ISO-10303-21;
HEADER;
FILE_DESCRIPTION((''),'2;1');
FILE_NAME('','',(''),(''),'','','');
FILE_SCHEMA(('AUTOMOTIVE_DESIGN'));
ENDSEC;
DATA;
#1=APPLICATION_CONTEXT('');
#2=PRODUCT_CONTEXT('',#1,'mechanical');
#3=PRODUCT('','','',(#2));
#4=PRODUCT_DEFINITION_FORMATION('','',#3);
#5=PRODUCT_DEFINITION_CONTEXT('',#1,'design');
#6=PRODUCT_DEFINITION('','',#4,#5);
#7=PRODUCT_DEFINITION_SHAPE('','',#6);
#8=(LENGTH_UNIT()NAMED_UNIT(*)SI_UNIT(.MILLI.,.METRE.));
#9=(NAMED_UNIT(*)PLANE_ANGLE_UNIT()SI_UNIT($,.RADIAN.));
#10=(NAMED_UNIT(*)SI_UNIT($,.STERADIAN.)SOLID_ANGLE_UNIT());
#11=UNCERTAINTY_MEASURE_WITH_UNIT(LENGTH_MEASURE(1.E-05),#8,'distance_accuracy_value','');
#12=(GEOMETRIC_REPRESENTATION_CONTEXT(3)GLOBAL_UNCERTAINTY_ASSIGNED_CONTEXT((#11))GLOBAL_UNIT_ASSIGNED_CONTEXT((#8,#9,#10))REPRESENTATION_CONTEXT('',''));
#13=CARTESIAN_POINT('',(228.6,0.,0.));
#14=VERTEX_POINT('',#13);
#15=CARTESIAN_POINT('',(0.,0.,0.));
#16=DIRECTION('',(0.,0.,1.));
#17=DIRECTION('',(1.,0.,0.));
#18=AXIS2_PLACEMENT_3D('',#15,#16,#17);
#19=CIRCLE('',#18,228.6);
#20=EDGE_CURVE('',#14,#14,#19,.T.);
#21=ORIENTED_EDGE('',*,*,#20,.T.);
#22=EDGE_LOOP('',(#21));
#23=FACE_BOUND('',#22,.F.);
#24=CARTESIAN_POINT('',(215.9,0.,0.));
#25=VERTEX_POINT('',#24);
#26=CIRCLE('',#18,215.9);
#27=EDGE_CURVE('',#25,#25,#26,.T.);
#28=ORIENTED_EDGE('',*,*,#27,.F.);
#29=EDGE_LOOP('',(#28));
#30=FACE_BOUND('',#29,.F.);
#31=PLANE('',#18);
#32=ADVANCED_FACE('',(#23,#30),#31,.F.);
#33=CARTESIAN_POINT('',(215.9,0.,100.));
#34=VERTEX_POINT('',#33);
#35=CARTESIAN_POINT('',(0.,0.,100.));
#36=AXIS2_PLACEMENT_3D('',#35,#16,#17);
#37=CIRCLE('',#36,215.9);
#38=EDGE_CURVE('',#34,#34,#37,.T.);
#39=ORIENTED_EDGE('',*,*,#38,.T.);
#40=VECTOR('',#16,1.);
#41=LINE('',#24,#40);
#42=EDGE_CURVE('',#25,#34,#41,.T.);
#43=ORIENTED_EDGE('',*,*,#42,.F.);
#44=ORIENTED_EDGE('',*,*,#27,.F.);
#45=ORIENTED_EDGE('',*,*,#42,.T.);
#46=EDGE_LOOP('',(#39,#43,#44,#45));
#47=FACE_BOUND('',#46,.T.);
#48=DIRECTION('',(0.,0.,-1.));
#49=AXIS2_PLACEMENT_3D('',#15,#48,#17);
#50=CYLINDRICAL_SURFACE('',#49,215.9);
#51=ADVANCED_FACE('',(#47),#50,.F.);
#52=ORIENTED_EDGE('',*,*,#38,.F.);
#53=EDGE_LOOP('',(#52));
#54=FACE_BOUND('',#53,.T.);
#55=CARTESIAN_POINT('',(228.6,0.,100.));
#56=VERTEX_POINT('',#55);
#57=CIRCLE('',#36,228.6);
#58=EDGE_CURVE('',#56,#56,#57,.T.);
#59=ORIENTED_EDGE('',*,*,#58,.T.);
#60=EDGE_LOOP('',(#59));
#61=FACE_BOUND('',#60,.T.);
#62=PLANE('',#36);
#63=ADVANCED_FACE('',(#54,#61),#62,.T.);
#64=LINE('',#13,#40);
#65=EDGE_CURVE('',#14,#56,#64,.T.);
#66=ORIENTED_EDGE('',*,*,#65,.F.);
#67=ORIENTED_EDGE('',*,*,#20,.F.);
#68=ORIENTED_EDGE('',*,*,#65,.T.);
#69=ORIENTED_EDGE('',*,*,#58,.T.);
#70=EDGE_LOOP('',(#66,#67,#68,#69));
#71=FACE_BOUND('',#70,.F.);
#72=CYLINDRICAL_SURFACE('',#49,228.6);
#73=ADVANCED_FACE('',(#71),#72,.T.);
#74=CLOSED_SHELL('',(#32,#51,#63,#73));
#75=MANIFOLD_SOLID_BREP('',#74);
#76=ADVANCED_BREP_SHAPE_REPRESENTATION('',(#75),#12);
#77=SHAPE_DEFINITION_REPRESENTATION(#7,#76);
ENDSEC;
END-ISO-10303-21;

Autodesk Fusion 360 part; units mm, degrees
sketch "スケッチ1" plane through (0, 0, 0) normal (0, 0, 1) x (1, 0, 0)
  circle A0 centre (0, 0) radius 228.6
  circle A1 centre (0, 0) radius 215.9
  dimension "d1" = 457.2
  dimension "d2" = -12.7
extrude "押し出し1" add sketch "スケッチ1" along normal blind 100
